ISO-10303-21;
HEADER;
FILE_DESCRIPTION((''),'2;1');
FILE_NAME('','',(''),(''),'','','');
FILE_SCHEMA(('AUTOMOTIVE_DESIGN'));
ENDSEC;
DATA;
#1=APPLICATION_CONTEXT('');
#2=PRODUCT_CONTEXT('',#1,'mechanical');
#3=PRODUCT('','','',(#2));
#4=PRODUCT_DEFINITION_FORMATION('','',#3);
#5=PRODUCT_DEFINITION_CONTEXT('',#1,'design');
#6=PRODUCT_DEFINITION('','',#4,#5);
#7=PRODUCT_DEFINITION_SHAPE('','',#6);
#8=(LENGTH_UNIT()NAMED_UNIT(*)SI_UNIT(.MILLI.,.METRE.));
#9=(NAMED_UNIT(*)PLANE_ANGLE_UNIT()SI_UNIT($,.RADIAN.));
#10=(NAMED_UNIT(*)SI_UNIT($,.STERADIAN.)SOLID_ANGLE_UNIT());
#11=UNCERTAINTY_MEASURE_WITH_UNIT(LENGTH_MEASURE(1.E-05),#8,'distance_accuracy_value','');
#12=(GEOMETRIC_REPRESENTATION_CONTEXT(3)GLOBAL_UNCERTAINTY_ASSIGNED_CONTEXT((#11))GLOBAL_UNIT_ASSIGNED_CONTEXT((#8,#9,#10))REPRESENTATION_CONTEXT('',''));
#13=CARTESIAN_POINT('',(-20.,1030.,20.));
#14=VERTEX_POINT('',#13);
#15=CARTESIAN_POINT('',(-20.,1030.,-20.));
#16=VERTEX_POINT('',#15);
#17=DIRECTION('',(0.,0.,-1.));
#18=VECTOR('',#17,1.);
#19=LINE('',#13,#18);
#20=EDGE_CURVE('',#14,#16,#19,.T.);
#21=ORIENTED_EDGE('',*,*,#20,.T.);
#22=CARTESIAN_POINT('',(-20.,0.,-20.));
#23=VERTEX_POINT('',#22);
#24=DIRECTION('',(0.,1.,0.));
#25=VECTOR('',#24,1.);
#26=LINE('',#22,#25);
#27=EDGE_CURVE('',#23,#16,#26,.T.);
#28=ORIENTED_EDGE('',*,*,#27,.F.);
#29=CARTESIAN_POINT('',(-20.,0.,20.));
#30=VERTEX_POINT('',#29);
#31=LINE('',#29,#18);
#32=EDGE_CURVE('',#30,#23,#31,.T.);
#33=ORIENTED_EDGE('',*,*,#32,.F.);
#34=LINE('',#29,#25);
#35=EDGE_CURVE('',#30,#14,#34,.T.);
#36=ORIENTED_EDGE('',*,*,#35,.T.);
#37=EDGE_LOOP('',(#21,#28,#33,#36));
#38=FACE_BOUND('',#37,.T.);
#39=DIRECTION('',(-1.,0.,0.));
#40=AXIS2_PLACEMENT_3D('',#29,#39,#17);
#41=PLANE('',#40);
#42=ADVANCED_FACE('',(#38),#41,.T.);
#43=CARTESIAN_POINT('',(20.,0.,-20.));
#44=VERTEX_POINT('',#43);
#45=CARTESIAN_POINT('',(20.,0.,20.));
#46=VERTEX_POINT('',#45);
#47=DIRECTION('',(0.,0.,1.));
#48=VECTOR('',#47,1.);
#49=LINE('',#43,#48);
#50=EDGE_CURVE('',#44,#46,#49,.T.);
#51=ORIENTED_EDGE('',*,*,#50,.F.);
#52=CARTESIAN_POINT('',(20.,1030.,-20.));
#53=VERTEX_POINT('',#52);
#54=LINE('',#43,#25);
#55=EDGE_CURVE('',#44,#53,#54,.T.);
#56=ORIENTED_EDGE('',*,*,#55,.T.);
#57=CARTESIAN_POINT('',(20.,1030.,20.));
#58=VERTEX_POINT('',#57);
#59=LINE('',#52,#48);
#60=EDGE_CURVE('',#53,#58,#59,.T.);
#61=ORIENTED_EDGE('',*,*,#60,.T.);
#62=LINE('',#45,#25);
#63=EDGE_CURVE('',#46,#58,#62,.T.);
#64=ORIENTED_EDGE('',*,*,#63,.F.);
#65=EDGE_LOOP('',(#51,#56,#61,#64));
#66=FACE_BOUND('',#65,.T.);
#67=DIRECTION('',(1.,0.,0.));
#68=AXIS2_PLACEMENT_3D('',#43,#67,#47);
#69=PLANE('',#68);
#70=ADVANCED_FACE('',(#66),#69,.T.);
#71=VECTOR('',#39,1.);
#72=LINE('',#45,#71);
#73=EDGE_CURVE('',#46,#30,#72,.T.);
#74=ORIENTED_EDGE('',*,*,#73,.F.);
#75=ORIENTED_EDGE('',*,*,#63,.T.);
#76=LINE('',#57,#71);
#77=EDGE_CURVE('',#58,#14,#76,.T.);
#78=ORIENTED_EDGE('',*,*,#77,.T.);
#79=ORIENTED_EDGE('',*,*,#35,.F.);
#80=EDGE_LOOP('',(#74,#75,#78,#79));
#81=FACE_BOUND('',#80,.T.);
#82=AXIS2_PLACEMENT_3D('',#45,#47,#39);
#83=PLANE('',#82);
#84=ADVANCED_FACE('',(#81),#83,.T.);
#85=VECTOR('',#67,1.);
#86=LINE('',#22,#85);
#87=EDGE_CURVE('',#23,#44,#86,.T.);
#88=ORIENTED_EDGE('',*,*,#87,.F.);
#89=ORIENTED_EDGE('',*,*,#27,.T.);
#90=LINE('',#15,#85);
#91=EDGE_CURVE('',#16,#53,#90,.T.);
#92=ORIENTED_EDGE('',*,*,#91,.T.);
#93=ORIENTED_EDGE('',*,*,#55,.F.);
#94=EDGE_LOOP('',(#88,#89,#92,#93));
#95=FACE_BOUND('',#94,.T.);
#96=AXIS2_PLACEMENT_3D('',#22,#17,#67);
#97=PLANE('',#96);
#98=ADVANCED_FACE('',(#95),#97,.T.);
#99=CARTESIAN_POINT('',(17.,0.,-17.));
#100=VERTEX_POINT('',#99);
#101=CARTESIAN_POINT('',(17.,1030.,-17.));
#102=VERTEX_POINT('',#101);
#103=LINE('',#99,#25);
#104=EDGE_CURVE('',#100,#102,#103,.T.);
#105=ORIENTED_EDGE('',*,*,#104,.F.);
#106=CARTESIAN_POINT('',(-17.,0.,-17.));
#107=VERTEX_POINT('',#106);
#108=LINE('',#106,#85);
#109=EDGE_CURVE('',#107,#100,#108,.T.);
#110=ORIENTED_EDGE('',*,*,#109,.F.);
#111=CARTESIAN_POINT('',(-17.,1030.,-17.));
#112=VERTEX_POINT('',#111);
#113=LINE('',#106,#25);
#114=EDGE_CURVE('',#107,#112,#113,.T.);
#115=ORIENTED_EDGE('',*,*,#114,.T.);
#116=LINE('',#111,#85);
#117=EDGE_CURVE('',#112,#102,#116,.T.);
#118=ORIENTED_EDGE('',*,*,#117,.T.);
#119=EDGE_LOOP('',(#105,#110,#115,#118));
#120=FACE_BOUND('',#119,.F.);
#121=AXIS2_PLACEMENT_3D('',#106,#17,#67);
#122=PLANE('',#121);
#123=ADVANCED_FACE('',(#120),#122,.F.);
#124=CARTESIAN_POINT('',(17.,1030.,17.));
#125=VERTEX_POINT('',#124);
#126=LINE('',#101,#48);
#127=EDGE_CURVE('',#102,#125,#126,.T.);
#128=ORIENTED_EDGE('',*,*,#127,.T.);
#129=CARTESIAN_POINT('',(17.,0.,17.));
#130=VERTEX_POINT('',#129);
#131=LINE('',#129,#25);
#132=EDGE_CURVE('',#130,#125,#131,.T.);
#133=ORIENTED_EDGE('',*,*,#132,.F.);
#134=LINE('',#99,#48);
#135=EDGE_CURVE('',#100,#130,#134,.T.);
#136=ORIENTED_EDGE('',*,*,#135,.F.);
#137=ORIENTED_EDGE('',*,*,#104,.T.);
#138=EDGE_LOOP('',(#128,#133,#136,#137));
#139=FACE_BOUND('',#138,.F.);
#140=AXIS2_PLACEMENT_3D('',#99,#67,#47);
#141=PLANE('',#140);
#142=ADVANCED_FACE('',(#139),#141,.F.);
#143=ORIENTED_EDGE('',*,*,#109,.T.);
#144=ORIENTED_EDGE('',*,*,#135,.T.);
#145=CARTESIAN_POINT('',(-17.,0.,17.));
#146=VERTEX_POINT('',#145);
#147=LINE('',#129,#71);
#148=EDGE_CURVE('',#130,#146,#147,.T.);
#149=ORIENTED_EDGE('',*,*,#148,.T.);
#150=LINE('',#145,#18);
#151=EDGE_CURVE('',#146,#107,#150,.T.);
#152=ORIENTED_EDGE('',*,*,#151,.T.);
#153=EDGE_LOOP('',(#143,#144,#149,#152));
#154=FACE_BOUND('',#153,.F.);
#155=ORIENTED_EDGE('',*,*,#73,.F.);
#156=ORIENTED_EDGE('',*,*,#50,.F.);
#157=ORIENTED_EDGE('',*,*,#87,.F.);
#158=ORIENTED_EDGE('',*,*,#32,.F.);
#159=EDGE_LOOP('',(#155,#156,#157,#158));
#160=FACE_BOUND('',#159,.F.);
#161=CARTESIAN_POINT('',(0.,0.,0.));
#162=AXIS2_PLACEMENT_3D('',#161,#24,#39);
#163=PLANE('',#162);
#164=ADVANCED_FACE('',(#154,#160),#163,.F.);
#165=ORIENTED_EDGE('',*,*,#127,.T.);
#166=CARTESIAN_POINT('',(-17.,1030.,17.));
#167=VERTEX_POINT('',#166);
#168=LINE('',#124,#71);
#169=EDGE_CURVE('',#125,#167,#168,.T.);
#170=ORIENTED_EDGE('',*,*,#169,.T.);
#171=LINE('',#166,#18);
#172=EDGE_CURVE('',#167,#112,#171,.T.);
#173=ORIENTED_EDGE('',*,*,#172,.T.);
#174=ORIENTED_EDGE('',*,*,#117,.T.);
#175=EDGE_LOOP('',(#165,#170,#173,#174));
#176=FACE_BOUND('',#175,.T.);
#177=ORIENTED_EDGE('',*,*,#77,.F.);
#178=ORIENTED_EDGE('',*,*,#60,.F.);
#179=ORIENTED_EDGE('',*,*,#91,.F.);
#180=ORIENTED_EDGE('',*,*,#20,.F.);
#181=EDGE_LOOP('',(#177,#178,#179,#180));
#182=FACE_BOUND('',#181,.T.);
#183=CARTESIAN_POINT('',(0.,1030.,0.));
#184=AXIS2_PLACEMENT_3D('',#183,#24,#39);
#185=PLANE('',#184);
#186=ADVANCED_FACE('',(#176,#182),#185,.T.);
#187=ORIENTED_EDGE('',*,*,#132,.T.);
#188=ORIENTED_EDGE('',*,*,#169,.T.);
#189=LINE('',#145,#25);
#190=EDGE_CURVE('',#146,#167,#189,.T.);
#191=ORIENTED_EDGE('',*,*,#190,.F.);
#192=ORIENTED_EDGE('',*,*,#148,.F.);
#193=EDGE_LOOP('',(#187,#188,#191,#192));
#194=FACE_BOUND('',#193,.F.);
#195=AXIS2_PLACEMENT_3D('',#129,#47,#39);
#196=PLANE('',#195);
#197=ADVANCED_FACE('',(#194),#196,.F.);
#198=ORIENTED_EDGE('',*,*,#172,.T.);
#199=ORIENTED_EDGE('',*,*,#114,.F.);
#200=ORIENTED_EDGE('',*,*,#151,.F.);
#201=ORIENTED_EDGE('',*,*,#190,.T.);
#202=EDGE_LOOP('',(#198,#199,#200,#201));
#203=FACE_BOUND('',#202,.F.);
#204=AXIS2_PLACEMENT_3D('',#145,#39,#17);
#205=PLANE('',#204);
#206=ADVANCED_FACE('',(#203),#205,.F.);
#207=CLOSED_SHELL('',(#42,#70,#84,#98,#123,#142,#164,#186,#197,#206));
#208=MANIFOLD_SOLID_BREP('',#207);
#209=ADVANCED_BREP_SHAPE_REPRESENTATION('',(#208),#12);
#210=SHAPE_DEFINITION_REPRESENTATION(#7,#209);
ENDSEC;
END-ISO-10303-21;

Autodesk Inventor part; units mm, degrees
ref_plane "YZ Plane" through (0, 0, 0) normal (1, 0, 0) x (0, 1, 0)
ref_plane "XZ Plane" through (0, 0, 0) normal (0, 1, 0) x (-1, 0, 0)
ref_plane "XY Plane" through (0, 0, 0) normal (0, 0, 1) x (1, 0, 0)
sketch "Sketch1" plane through (0, 0, 0) normal (0, 1, 0) x (-1, 0, 0)
  line L0 (-20, 20) -> (20, 20)
  line L1 (20, 20) -> (20, -20)
  line L2 (20, -20) -> (-20, -20)
  line L3 (-20, -20) -> (-20, 20)
  line L4 (-20, 20) -> (20, -20) construction
  line L5 (20, 20) -> (-20, -20) construction
  line L6 (-17, 17) -> (17, 17)
  line L7 (17, 17) -> (17, -17)
  line L8 (17, -17) -> (-17, -17)
  line L9 (-17, -17) -> (-17, 17)
  line L10 (-17, 17) -> (17, -17) construction
  line L11 (17, 17) -> (-17, -17) construction
  point P0 (0, 0)
  dimension "d0" = 40
  dimension "d1" = 40
  dimension "d2" = 34
  dimension "d3" = 34
  dimension "d4" = 3
extrude "Extrusion1" add sketch "Sketch1" along normal blind 1030
properties part number "Tube 104 cm"
